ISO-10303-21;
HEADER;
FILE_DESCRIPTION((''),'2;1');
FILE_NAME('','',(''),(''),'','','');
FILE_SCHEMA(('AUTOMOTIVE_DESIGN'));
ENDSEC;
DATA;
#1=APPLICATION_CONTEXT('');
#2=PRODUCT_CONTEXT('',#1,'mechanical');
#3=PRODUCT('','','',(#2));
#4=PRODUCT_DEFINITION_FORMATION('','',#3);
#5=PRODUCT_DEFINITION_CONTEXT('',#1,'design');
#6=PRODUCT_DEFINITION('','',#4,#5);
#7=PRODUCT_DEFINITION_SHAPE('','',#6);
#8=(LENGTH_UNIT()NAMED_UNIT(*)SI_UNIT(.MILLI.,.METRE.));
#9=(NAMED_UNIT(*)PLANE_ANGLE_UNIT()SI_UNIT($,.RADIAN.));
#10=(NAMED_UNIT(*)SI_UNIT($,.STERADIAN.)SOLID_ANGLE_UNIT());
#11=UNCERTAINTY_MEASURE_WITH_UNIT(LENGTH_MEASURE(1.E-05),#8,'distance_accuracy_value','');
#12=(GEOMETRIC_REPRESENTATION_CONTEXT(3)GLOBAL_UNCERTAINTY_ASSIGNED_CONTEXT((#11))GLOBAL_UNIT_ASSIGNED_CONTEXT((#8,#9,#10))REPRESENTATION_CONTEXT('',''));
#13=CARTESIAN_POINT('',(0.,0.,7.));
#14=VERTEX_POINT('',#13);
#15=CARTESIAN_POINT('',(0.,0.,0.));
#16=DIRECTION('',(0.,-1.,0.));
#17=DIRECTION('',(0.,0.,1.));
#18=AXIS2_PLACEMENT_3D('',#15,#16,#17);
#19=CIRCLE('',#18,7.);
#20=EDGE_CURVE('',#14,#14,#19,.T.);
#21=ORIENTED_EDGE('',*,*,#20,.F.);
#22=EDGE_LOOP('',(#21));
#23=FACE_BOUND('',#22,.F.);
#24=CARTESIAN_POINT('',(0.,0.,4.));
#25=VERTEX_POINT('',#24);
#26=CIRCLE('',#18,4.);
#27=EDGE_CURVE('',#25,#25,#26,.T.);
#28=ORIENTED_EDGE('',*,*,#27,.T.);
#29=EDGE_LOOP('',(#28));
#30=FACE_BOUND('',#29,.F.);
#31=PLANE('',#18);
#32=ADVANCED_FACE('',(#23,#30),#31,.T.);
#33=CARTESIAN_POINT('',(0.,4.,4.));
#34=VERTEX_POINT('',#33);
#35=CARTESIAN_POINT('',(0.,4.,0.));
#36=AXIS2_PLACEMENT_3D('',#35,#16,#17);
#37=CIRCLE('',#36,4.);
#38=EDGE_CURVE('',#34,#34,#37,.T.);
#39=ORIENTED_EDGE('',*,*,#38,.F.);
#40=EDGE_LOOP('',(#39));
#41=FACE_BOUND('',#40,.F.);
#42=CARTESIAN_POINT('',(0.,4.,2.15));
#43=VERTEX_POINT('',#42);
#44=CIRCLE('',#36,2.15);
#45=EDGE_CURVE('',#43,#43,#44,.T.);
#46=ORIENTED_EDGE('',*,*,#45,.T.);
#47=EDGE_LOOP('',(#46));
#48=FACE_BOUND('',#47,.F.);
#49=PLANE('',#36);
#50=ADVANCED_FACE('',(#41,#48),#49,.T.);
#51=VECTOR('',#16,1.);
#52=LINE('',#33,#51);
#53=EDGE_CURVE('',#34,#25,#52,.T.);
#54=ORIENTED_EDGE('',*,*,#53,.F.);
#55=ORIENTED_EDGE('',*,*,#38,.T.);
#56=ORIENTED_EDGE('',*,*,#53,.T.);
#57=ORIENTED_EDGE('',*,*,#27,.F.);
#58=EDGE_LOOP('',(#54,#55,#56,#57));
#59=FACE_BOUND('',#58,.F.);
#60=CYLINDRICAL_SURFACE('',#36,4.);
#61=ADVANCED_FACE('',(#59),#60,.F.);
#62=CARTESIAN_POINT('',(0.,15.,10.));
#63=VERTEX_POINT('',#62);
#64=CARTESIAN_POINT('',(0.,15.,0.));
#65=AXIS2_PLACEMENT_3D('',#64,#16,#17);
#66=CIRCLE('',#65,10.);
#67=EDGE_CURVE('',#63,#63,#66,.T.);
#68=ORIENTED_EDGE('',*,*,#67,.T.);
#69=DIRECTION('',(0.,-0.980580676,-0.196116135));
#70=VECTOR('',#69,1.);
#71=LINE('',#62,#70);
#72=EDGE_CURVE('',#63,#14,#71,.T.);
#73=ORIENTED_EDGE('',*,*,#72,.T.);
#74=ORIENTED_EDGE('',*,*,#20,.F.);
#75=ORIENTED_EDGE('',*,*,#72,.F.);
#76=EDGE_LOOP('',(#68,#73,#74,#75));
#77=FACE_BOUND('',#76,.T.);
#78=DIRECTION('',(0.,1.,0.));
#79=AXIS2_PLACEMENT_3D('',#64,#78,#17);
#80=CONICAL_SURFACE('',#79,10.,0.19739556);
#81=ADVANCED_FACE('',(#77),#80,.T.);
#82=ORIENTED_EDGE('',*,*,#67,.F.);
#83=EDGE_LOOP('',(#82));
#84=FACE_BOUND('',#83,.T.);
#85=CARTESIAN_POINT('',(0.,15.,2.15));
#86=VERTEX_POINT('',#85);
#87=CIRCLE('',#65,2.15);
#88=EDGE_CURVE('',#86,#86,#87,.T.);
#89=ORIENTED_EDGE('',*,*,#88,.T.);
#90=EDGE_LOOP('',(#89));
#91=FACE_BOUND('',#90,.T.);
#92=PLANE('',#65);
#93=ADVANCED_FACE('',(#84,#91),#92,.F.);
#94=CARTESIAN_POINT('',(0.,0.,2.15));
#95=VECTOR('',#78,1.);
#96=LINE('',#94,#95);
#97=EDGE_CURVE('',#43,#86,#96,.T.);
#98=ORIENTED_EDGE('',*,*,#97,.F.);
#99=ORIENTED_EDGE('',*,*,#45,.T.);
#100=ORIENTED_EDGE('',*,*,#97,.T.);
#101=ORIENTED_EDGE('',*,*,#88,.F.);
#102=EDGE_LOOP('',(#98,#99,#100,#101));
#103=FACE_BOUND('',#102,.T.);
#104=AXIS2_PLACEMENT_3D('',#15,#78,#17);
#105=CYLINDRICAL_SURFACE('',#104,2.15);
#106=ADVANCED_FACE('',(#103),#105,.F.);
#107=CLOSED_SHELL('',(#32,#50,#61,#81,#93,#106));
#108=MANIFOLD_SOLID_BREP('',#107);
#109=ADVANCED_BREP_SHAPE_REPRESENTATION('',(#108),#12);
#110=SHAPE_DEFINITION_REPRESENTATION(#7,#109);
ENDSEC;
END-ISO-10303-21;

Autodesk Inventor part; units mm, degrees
ref_plane "YZ Plane" through (0, 0, 0) normal (1, 0, 0) x (0, 1, 0)
ref_plane "XZ Plane" through (0, 0, 0) normal (0, 1, 0) x (-1, 0, 0)
ref_plane "XY Plane" through (0, 0, 0) normal (0, 0, 1) x (1, 0, 0)
sketch "Sketch1" plane through (0, 0, 0) normal (1, 0, 0) x (0, 1, 0)
  line L0 (0, 0) -> (0, 7)
  line L1 (0, 7) -> (15, 7)
  line L2 (15, 7) -> (15, 10)
  line L3 (15, 10) -> (0, 7)
  line L4 (0, 0) -> (0, 2.15)
  line L5 (15, 7) -> (15, 0)
  line L6 (15, 0) -> (0, 0)
  line L7 (15, 0) -> (4, 0)
  line L8 (4, 0) -> (4, 4)
  line L9 (4, 4) -> (0, 4)
  line L10 (0, 2.15) -> (15, 2.15)
  point P0 (4, 2.15)
  dimension "d0" = 7
  dimension "d1" = 15
  dimension "d2" = 3
  dimension "d3" = 2.15
  dimension "d4" = 11
  dimension "d5" = 4
revolve "Revolution1" add sketch "Sketch1" angle 360 about axis through (0, 15, 0) along (0, -1, 0) contours L0 L1 L5 L10 L8 L9 | L3 L2 L1
properties part number "PrinterFeet"
